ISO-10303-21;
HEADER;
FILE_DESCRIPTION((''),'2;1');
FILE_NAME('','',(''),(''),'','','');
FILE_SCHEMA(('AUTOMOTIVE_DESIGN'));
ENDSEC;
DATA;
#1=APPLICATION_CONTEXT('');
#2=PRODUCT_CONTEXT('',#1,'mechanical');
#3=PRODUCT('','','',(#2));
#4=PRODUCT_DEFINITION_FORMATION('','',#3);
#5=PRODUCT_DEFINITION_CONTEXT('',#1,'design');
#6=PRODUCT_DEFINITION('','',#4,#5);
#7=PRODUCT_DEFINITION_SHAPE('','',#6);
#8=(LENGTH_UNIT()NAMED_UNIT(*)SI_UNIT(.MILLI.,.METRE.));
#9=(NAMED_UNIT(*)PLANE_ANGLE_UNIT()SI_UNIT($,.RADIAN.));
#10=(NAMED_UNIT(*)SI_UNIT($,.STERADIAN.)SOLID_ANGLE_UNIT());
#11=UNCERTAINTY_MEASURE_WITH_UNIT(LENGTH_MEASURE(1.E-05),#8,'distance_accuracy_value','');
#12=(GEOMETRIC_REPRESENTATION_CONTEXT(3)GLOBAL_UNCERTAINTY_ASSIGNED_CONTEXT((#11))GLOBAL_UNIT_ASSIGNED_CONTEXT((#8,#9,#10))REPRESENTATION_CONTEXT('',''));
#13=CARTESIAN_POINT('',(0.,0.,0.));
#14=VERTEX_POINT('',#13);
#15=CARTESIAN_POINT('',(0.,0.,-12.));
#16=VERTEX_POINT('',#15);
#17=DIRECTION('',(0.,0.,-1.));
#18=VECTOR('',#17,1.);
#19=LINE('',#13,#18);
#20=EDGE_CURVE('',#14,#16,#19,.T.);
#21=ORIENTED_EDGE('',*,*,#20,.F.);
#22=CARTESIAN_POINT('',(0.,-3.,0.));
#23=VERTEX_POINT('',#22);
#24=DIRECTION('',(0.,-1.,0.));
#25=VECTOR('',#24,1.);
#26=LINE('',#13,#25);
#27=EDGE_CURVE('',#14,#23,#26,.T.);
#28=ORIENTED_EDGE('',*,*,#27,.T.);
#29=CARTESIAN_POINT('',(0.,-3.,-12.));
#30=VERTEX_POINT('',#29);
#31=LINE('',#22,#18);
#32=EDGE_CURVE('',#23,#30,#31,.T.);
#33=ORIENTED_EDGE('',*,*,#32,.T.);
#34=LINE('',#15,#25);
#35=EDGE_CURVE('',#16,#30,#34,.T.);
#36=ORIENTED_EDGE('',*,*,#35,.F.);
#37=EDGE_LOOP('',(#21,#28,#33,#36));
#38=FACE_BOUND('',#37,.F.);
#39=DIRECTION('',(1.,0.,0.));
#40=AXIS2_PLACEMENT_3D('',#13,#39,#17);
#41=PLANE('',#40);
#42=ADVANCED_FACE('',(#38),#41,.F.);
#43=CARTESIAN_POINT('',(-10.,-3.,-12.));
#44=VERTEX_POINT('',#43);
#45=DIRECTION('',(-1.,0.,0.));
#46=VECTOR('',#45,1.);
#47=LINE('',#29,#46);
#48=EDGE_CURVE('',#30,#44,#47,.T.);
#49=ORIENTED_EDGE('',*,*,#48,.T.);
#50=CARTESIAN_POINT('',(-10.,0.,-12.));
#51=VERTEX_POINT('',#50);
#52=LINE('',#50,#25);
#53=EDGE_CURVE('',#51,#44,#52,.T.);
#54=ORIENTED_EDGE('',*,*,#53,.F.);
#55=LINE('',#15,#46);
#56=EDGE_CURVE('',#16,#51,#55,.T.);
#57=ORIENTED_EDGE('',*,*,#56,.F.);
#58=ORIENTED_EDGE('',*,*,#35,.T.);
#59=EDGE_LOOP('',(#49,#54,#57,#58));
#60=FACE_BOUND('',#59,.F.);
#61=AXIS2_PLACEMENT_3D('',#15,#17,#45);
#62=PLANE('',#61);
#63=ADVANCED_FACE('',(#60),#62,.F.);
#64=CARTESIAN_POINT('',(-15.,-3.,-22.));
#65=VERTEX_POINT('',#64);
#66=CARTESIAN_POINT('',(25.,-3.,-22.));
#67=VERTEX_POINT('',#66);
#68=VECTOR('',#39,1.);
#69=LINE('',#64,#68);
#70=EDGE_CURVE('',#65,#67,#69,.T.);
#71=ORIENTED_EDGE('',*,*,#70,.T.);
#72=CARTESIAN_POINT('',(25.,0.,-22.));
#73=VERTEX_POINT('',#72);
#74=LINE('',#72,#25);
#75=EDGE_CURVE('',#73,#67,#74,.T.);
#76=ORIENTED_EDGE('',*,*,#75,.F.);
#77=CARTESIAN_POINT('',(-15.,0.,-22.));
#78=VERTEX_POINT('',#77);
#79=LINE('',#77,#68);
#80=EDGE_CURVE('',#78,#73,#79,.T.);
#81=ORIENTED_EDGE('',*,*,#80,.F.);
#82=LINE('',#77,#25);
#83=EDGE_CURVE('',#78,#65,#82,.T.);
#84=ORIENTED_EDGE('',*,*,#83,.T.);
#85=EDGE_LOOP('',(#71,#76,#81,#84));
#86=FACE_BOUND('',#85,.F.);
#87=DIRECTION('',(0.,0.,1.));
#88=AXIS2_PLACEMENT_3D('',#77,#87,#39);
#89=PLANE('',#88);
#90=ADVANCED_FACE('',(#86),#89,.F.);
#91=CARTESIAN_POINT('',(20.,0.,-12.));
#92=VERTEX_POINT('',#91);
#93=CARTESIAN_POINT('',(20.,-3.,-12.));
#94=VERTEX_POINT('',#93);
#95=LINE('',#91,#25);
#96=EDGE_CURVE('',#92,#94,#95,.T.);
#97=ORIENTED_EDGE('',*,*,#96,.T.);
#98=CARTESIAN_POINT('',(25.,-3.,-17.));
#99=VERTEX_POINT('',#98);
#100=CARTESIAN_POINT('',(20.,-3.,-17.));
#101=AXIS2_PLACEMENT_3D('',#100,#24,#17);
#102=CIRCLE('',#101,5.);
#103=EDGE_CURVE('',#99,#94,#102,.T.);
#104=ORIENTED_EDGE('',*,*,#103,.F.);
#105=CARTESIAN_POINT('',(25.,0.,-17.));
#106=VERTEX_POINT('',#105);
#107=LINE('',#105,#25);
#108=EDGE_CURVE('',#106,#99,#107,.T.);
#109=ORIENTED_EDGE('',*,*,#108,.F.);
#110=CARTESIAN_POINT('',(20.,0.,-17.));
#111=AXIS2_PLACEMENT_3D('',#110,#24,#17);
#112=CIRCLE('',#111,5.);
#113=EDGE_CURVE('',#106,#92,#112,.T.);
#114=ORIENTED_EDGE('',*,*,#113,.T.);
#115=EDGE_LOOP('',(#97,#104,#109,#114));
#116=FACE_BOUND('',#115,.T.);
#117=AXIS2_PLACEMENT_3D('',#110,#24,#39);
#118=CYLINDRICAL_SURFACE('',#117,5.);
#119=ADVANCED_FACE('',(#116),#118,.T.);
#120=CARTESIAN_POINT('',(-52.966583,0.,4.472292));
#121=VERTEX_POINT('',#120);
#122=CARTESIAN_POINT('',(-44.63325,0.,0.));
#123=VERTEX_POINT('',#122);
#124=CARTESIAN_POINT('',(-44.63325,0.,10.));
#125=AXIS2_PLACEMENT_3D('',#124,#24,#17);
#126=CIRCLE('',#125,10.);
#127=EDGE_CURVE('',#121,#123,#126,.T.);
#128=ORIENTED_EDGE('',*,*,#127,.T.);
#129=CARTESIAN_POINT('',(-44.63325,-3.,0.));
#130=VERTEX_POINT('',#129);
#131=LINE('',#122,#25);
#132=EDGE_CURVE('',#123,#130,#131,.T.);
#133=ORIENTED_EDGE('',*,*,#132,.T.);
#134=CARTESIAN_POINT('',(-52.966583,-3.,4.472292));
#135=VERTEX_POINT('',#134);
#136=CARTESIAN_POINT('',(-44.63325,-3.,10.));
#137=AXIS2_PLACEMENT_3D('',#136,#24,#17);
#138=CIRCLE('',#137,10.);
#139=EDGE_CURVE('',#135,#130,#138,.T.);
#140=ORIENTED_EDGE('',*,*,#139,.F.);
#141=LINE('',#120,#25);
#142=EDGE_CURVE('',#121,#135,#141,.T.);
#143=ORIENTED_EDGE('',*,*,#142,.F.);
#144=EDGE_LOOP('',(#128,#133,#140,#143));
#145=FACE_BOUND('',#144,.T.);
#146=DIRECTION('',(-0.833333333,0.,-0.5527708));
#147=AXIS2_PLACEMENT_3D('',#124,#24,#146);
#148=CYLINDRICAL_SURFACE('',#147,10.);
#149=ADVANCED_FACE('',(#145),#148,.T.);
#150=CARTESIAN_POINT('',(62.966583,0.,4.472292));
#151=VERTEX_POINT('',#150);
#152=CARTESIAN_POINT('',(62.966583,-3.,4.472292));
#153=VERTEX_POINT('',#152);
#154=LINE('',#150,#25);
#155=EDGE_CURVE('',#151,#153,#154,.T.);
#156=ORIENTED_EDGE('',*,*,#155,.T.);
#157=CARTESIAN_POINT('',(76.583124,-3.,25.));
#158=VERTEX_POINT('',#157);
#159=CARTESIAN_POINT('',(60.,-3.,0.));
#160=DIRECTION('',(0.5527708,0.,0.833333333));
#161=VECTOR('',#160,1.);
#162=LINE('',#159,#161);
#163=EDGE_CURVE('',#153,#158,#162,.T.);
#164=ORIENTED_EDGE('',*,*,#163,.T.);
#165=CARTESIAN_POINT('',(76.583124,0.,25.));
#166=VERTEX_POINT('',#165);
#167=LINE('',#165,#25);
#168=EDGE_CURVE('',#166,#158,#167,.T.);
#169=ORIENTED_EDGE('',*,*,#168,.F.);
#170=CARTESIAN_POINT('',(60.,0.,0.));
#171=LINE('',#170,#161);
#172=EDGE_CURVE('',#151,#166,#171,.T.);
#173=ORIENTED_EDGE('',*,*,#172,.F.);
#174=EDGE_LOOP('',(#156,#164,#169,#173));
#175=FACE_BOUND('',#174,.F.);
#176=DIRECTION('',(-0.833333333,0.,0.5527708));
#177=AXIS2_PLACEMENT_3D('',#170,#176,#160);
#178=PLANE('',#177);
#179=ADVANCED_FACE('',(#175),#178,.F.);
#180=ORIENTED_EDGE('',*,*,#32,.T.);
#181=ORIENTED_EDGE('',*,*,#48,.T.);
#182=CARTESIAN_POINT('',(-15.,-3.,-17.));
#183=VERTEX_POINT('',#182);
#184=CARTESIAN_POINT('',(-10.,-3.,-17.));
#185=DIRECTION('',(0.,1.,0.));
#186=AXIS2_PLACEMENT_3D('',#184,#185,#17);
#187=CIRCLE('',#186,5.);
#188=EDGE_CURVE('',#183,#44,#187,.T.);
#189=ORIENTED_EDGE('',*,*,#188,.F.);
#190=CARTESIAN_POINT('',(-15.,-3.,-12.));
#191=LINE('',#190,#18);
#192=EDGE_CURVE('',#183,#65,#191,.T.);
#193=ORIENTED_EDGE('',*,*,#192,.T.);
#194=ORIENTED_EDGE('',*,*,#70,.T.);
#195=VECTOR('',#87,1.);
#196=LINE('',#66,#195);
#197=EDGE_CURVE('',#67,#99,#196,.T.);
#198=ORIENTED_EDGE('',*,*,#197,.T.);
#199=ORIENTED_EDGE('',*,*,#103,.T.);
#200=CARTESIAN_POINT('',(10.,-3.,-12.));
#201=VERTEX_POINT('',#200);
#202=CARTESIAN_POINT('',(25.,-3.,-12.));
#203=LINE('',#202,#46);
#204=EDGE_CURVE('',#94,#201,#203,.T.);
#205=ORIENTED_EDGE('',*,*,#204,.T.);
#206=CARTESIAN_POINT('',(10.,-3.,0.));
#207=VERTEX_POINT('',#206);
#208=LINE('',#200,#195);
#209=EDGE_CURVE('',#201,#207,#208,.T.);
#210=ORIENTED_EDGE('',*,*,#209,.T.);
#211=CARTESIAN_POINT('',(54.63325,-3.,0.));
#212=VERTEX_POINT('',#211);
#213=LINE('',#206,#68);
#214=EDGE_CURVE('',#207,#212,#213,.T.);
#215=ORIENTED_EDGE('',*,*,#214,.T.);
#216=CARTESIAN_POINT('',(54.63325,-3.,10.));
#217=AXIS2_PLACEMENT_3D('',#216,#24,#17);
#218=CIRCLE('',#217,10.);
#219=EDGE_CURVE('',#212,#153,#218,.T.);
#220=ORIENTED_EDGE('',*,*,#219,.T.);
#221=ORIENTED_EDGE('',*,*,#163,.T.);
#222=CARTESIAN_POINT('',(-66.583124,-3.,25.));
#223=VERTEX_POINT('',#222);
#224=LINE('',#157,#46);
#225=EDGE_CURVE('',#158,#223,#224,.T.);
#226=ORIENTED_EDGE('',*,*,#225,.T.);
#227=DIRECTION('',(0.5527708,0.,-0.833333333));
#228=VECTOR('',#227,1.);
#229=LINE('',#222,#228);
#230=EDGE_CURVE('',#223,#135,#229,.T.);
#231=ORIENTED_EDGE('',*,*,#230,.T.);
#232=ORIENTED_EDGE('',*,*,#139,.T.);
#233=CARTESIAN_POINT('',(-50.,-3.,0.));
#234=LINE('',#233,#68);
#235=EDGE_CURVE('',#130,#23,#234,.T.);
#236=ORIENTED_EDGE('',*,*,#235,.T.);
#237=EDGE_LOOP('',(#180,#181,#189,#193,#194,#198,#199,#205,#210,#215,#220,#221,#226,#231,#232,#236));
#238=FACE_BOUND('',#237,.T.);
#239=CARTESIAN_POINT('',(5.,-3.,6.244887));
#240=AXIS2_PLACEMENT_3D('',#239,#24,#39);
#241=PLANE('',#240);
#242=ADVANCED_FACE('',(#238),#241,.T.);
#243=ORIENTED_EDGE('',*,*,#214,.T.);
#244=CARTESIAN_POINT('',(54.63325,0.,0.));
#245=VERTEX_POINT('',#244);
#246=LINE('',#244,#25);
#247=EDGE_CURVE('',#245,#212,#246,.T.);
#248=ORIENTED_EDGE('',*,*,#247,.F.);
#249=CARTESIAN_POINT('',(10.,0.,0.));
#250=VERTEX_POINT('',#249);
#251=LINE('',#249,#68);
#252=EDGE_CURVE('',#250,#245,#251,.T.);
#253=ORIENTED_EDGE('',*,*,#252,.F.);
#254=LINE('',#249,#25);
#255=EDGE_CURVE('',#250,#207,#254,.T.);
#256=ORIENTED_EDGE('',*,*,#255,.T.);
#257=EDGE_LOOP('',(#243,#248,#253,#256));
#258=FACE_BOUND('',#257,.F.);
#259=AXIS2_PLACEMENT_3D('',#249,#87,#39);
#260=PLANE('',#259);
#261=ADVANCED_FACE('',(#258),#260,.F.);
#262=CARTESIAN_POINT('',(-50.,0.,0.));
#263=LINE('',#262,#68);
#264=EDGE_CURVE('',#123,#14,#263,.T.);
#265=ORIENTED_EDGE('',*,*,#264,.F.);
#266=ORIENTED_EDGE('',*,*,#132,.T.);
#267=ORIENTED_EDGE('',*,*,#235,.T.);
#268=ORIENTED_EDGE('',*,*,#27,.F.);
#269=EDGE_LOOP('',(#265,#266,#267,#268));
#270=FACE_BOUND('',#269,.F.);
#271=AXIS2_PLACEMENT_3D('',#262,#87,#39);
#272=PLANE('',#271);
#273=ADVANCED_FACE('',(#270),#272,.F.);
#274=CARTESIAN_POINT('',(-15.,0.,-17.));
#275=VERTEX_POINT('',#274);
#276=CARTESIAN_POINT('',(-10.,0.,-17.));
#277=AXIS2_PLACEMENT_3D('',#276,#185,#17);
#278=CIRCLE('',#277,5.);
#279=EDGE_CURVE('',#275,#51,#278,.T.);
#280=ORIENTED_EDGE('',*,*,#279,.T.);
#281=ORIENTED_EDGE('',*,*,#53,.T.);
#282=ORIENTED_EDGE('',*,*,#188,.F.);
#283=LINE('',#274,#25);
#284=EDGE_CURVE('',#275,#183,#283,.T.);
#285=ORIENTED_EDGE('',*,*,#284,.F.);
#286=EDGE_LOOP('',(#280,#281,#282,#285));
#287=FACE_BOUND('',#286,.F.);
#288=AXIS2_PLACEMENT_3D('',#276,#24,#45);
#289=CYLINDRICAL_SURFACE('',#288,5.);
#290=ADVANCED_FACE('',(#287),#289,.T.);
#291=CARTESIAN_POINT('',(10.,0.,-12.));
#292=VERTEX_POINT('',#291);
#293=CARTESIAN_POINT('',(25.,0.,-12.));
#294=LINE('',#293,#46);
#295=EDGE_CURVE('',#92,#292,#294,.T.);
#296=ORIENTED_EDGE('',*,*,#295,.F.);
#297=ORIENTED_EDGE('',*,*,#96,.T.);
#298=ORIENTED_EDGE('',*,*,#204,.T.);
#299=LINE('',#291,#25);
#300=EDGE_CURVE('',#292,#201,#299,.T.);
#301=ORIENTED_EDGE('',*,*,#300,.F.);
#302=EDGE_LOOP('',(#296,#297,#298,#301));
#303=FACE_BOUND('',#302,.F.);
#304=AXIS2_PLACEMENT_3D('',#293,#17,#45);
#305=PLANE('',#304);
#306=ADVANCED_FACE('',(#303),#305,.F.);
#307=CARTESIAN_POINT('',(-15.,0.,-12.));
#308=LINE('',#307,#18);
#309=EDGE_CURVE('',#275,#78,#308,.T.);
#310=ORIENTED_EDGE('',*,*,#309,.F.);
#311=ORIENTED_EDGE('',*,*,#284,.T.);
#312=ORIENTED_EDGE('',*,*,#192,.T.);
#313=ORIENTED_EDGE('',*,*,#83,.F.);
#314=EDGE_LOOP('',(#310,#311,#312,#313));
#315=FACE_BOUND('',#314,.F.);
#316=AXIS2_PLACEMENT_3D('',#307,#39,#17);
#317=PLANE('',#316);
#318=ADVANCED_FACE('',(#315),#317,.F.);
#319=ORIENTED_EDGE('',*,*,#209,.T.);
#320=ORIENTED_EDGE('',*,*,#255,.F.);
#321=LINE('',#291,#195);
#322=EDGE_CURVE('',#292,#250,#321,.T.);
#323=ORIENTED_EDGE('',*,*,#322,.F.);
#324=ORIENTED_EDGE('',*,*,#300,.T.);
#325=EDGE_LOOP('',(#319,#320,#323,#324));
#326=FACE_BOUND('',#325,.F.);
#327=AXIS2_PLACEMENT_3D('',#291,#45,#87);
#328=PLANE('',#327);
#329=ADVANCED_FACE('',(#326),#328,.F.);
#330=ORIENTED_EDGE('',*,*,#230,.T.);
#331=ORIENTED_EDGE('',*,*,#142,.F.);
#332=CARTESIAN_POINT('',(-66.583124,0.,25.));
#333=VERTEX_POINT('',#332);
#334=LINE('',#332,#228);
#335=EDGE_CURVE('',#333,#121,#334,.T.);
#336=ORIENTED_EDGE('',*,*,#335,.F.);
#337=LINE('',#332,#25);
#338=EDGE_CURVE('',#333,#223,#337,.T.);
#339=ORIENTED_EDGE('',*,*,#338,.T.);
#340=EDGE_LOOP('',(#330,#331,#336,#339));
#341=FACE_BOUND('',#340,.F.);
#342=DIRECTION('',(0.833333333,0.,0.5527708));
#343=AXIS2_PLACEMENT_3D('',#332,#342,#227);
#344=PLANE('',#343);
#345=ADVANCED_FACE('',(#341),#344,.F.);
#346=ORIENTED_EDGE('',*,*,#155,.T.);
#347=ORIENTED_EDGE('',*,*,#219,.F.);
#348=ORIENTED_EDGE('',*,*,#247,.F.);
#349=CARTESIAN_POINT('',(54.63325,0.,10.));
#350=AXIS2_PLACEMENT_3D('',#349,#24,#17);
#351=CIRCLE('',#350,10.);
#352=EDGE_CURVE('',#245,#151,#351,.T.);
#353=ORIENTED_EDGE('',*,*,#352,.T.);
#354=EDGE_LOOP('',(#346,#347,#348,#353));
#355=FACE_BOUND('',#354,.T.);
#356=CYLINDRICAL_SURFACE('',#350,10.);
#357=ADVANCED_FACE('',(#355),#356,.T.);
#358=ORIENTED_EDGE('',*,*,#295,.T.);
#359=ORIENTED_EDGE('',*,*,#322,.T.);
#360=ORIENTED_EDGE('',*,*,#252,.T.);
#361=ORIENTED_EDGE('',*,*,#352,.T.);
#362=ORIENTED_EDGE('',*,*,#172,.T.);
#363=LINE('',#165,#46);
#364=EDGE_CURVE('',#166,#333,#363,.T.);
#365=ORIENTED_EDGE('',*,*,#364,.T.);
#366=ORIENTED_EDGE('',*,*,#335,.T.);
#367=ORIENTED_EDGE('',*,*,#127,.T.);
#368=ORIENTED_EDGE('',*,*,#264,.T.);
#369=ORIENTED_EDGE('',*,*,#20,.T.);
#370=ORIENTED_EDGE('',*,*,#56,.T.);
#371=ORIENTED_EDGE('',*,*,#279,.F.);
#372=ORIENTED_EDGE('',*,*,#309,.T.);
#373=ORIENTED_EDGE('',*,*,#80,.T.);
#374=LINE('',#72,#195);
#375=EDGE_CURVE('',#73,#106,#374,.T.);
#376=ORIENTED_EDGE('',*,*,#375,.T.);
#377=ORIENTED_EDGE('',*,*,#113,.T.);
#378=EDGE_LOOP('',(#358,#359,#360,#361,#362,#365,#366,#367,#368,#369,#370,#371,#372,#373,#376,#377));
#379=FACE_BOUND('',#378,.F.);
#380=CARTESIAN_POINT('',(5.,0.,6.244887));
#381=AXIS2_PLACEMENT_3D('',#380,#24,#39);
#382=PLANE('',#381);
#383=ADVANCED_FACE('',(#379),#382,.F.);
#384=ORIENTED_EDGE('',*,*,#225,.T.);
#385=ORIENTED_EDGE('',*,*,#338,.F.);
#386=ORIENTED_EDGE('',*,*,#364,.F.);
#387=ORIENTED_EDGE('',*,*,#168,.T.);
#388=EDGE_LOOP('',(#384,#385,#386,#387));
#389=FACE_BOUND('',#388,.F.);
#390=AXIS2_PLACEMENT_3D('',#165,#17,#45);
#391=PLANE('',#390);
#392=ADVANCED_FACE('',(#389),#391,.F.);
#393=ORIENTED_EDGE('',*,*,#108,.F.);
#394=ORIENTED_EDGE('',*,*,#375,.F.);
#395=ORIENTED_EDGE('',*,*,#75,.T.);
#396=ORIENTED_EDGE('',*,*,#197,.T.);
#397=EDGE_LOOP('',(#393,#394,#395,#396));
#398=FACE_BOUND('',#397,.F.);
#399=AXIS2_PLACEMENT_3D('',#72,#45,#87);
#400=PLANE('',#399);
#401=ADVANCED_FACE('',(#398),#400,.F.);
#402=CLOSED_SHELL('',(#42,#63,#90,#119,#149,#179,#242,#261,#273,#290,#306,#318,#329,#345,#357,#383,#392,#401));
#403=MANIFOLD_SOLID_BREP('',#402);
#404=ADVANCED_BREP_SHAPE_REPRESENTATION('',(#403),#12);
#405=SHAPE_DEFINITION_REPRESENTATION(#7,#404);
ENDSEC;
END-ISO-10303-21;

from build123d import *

# Parameters (mm, degrees)
F1_DEPTH = 3
F2_R     = 5
F3_R     = 5
F4_R     = 10
F5_R     = 10


with BuildPart() as f1:
    # F0 (on Front) → F1 (new body)
    with BuildSketch(Plane.XZ):
        Polygon((-50, 0), (0, 0), (0, -12), (-15, -12), (-15, -22), (25, -22), (25, -12), (10, -12), (10, 0), (60, 0), (76.583124, 25), (-66.583124, 25), align=None)
    extrude(amount=F1_DEPTH)

    # F2
    f2_edges = [f1.edges().sort_by_distance(p)[0] for p in [
        (25, -1.5, -12),
    ]]
    fillet(f2_edges, radius=F2_R)

    # F3
    f3_edges = [f1.edges().sort_by_distance(p)[0] for p in [
        (-15, -1.5, -12),
    ]]
    fillet(f3_edges, radius=F3_R)

    # F4
    f4_edges = [f1.edges().sort_by_distance(p)[0] for p in [
        (60, -1.5, 0),
    ]]
    fillet(f4_edges, radius=F4_R)

    # F5
    f5_edges = [f1.edges().sort_by_distance(p)[0] for p in [
        (-50, -1.5, 0),
    ]]
    fillet(f5_edges, radius=F5_R)


solid = f1.part
